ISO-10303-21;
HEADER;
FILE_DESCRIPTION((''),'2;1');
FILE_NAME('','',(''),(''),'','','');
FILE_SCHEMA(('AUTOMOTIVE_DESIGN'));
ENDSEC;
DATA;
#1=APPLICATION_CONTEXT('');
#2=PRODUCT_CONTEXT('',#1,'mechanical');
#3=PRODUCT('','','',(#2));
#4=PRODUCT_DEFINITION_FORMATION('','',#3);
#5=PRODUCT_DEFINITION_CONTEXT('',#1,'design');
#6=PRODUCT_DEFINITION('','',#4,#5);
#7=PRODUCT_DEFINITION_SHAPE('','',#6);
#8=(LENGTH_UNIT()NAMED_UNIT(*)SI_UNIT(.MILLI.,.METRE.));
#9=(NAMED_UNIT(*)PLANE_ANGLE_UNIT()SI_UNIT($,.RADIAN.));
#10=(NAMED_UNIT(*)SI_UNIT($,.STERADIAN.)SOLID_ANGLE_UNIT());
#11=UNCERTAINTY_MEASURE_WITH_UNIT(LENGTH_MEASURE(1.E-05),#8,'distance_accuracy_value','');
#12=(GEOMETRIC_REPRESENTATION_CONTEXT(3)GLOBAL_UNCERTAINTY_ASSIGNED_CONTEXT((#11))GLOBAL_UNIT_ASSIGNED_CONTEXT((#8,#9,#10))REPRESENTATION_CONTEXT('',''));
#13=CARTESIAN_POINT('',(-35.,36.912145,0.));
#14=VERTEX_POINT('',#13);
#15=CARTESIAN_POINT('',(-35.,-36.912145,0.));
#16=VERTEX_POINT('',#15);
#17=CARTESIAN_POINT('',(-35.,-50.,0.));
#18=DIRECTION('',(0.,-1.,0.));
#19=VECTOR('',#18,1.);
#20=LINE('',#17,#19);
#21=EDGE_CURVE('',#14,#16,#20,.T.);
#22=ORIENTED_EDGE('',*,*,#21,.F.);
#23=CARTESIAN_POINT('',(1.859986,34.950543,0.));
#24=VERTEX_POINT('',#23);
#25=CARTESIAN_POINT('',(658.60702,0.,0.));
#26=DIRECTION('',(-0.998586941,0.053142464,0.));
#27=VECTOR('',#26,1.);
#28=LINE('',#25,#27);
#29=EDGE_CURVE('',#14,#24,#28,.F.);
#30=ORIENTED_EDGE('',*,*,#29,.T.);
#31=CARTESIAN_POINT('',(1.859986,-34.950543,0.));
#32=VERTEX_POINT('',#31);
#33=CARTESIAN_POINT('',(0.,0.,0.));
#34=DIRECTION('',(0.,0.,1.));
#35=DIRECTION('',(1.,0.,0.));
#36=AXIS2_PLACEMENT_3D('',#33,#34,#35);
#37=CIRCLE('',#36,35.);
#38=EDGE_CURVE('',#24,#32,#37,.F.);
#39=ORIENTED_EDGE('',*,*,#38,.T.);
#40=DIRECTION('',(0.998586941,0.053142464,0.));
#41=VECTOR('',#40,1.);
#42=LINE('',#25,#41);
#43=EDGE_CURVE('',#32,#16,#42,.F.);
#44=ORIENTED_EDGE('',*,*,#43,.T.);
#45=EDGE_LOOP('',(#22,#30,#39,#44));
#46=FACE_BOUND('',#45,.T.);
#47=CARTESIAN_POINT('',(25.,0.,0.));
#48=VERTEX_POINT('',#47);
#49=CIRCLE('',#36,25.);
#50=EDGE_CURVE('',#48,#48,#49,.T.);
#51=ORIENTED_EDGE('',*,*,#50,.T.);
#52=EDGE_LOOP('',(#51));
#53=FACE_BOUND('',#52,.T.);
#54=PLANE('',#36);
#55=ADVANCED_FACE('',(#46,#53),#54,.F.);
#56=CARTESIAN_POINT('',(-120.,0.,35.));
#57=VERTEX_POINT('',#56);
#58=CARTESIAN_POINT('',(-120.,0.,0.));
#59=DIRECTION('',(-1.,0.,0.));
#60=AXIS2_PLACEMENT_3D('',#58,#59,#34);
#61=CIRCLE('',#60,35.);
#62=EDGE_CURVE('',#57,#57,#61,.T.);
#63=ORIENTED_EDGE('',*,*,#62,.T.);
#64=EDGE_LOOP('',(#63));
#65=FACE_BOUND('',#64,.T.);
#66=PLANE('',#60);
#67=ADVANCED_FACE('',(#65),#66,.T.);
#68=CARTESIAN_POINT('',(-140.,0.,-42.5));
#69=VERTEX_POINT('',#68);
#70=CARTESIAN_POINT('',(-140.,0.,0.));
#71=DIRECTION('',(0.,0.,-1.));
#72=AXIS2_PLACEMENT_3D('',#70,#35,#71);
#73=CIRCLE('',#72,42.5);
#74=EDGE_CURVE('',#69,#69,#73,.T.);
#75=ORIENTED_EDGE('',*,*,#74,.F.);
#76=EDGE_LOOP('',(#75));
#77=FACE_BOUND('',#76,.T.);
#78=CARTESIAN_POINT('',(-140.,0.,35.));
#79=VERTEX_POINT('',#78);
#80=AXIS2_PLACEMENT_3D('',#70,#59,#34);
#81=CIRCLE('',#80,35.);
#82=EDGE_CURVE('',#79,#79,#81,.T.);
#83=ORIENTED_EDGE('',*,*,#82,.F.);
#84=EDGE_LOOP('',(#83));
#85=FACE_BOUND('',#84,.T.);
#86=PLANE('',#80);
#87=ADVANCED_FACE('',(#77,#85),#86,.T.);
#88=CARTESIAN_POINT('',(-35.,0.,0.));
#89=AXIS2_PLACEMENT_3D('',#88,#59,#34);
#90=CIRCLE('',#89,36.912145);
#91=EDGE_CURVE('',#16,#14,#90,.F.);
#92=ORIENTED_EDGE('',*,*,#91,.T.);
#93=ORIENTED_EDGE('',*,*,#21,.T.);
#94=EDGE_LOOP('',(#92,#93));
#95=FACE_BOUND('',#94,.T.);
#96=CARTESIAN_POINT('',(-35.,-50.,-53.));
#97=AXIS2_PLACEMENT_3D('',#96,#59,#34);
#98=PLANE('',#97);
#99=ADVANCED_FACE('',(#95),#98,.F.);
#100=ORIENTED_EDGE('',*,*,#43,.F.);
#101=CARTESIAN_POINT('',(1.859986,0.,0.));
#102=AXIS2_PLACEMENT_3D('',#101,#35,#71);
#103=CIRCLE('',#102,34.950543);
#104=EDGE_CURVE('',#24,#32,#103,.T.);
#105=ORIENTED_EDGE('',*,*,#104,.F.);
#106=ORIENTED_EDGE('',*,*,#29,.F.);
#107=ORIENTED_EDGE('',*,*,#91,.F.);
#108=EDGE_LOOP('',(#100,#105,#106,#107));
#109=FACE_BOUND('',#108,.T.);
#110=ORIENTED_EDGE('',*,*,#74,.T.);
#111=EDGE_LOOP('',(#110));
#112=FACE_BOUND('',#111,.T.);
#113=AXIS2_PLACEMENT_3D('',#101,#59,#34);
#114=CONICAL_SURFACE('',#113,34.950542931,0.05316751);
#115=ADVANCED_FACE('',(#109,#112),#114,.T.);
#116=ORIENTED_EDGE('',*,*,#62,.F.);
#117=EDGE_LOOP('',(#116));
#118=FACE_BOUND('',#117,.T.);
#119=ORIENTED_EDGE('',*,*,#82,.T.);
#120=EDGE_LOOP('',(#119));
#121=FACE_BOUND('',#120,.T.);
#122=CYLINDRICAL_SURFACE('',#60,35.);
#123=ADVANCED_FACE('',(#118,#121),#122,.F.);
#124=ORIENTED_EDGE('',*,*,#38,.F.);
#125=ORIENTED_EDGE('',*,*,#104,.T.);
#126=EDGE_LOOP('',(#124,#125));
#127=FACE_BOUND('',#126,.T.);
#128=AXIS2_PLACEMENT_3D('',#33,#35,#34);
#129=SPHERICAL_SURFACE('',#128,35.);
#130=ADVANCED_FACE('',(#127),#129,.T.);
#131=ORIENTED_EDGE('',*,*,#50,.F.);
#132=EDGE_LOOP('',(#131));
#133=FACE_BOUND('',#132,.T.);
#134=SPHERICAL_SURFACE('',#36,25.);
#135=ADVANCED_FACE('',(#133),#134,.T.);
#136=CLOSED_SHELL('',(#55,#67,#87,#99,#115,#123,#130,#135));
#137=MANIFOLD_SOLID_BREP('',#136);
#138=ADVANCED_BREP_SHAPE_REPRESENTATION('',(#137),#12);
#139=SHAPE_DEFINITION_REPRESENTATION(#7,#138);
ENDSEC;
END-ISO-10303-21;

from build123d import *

# Parameters (mm, degrees)
SKETCH2_R          = 35
CUT_EXTRUDE1_DEPTH = 20
SKETCH3_W          = 70
SKETCH3_H          = 100
CUT_EXTRUDE2_DEPTH = 53


with BuildPart() as part:
    # Sketch1 → Revolve1 (revolve)
    with BuildSketch(Plane(origin=(0, 0, 0), x_dir=(1, 0, 0), z_dir=(0, 1, 0)), mode=Mode.PRIVATE) as revolve1_sk:
        with BuildLine():
            Line((35, 0), (-140, 0))
            Line((-140, 0), (-140, 42.5))
            Line((-140, 42.5), (1.859986247, 34.950542931))
            ThreePointArc((1.859986247, 34.950542931), (25.397829815, 24.082156064), (35, 0))
        make_face()
    revolve(revolve1_sk.sketch.rotate(Axis((35, 0, 0), (-1, 0, 0)), 180), axis=Axis((35, 0, 0), (-1, 0, 0)))

    # Sketch2 → Cut-Extrude1 (cut)
    with BuildSketch(Plane.ZY.offset(140)):
        Circle(SKETCH2_R)
    extrude(amount=-CUT_EXTRUDE1_DEPTH, mode=Mode.SUBTRACT)

    # Sketch3 → Cut-Extrude2 (cut)
    with BuildSketch(Plane.XY):
        Rectangle(SKETCH3_W, SKETCH3_H)
    extrude(amount=-CUT_EXTRUDE2_DEPTH, mode=Mode.SUBTRACT)

    # Sketch4 → Revolve2 (revolve)
    with BuildSketch(Plane.XY):
        with BuildLine():
            Line((25, 0), (-25, 0))
            ThreePointArc((-25, 0), (0, 25), (25, 0))
        make_face()
    revolve(axis=Axis((25, 0, 0), (-1, 0, 0)))


solid = part.part
